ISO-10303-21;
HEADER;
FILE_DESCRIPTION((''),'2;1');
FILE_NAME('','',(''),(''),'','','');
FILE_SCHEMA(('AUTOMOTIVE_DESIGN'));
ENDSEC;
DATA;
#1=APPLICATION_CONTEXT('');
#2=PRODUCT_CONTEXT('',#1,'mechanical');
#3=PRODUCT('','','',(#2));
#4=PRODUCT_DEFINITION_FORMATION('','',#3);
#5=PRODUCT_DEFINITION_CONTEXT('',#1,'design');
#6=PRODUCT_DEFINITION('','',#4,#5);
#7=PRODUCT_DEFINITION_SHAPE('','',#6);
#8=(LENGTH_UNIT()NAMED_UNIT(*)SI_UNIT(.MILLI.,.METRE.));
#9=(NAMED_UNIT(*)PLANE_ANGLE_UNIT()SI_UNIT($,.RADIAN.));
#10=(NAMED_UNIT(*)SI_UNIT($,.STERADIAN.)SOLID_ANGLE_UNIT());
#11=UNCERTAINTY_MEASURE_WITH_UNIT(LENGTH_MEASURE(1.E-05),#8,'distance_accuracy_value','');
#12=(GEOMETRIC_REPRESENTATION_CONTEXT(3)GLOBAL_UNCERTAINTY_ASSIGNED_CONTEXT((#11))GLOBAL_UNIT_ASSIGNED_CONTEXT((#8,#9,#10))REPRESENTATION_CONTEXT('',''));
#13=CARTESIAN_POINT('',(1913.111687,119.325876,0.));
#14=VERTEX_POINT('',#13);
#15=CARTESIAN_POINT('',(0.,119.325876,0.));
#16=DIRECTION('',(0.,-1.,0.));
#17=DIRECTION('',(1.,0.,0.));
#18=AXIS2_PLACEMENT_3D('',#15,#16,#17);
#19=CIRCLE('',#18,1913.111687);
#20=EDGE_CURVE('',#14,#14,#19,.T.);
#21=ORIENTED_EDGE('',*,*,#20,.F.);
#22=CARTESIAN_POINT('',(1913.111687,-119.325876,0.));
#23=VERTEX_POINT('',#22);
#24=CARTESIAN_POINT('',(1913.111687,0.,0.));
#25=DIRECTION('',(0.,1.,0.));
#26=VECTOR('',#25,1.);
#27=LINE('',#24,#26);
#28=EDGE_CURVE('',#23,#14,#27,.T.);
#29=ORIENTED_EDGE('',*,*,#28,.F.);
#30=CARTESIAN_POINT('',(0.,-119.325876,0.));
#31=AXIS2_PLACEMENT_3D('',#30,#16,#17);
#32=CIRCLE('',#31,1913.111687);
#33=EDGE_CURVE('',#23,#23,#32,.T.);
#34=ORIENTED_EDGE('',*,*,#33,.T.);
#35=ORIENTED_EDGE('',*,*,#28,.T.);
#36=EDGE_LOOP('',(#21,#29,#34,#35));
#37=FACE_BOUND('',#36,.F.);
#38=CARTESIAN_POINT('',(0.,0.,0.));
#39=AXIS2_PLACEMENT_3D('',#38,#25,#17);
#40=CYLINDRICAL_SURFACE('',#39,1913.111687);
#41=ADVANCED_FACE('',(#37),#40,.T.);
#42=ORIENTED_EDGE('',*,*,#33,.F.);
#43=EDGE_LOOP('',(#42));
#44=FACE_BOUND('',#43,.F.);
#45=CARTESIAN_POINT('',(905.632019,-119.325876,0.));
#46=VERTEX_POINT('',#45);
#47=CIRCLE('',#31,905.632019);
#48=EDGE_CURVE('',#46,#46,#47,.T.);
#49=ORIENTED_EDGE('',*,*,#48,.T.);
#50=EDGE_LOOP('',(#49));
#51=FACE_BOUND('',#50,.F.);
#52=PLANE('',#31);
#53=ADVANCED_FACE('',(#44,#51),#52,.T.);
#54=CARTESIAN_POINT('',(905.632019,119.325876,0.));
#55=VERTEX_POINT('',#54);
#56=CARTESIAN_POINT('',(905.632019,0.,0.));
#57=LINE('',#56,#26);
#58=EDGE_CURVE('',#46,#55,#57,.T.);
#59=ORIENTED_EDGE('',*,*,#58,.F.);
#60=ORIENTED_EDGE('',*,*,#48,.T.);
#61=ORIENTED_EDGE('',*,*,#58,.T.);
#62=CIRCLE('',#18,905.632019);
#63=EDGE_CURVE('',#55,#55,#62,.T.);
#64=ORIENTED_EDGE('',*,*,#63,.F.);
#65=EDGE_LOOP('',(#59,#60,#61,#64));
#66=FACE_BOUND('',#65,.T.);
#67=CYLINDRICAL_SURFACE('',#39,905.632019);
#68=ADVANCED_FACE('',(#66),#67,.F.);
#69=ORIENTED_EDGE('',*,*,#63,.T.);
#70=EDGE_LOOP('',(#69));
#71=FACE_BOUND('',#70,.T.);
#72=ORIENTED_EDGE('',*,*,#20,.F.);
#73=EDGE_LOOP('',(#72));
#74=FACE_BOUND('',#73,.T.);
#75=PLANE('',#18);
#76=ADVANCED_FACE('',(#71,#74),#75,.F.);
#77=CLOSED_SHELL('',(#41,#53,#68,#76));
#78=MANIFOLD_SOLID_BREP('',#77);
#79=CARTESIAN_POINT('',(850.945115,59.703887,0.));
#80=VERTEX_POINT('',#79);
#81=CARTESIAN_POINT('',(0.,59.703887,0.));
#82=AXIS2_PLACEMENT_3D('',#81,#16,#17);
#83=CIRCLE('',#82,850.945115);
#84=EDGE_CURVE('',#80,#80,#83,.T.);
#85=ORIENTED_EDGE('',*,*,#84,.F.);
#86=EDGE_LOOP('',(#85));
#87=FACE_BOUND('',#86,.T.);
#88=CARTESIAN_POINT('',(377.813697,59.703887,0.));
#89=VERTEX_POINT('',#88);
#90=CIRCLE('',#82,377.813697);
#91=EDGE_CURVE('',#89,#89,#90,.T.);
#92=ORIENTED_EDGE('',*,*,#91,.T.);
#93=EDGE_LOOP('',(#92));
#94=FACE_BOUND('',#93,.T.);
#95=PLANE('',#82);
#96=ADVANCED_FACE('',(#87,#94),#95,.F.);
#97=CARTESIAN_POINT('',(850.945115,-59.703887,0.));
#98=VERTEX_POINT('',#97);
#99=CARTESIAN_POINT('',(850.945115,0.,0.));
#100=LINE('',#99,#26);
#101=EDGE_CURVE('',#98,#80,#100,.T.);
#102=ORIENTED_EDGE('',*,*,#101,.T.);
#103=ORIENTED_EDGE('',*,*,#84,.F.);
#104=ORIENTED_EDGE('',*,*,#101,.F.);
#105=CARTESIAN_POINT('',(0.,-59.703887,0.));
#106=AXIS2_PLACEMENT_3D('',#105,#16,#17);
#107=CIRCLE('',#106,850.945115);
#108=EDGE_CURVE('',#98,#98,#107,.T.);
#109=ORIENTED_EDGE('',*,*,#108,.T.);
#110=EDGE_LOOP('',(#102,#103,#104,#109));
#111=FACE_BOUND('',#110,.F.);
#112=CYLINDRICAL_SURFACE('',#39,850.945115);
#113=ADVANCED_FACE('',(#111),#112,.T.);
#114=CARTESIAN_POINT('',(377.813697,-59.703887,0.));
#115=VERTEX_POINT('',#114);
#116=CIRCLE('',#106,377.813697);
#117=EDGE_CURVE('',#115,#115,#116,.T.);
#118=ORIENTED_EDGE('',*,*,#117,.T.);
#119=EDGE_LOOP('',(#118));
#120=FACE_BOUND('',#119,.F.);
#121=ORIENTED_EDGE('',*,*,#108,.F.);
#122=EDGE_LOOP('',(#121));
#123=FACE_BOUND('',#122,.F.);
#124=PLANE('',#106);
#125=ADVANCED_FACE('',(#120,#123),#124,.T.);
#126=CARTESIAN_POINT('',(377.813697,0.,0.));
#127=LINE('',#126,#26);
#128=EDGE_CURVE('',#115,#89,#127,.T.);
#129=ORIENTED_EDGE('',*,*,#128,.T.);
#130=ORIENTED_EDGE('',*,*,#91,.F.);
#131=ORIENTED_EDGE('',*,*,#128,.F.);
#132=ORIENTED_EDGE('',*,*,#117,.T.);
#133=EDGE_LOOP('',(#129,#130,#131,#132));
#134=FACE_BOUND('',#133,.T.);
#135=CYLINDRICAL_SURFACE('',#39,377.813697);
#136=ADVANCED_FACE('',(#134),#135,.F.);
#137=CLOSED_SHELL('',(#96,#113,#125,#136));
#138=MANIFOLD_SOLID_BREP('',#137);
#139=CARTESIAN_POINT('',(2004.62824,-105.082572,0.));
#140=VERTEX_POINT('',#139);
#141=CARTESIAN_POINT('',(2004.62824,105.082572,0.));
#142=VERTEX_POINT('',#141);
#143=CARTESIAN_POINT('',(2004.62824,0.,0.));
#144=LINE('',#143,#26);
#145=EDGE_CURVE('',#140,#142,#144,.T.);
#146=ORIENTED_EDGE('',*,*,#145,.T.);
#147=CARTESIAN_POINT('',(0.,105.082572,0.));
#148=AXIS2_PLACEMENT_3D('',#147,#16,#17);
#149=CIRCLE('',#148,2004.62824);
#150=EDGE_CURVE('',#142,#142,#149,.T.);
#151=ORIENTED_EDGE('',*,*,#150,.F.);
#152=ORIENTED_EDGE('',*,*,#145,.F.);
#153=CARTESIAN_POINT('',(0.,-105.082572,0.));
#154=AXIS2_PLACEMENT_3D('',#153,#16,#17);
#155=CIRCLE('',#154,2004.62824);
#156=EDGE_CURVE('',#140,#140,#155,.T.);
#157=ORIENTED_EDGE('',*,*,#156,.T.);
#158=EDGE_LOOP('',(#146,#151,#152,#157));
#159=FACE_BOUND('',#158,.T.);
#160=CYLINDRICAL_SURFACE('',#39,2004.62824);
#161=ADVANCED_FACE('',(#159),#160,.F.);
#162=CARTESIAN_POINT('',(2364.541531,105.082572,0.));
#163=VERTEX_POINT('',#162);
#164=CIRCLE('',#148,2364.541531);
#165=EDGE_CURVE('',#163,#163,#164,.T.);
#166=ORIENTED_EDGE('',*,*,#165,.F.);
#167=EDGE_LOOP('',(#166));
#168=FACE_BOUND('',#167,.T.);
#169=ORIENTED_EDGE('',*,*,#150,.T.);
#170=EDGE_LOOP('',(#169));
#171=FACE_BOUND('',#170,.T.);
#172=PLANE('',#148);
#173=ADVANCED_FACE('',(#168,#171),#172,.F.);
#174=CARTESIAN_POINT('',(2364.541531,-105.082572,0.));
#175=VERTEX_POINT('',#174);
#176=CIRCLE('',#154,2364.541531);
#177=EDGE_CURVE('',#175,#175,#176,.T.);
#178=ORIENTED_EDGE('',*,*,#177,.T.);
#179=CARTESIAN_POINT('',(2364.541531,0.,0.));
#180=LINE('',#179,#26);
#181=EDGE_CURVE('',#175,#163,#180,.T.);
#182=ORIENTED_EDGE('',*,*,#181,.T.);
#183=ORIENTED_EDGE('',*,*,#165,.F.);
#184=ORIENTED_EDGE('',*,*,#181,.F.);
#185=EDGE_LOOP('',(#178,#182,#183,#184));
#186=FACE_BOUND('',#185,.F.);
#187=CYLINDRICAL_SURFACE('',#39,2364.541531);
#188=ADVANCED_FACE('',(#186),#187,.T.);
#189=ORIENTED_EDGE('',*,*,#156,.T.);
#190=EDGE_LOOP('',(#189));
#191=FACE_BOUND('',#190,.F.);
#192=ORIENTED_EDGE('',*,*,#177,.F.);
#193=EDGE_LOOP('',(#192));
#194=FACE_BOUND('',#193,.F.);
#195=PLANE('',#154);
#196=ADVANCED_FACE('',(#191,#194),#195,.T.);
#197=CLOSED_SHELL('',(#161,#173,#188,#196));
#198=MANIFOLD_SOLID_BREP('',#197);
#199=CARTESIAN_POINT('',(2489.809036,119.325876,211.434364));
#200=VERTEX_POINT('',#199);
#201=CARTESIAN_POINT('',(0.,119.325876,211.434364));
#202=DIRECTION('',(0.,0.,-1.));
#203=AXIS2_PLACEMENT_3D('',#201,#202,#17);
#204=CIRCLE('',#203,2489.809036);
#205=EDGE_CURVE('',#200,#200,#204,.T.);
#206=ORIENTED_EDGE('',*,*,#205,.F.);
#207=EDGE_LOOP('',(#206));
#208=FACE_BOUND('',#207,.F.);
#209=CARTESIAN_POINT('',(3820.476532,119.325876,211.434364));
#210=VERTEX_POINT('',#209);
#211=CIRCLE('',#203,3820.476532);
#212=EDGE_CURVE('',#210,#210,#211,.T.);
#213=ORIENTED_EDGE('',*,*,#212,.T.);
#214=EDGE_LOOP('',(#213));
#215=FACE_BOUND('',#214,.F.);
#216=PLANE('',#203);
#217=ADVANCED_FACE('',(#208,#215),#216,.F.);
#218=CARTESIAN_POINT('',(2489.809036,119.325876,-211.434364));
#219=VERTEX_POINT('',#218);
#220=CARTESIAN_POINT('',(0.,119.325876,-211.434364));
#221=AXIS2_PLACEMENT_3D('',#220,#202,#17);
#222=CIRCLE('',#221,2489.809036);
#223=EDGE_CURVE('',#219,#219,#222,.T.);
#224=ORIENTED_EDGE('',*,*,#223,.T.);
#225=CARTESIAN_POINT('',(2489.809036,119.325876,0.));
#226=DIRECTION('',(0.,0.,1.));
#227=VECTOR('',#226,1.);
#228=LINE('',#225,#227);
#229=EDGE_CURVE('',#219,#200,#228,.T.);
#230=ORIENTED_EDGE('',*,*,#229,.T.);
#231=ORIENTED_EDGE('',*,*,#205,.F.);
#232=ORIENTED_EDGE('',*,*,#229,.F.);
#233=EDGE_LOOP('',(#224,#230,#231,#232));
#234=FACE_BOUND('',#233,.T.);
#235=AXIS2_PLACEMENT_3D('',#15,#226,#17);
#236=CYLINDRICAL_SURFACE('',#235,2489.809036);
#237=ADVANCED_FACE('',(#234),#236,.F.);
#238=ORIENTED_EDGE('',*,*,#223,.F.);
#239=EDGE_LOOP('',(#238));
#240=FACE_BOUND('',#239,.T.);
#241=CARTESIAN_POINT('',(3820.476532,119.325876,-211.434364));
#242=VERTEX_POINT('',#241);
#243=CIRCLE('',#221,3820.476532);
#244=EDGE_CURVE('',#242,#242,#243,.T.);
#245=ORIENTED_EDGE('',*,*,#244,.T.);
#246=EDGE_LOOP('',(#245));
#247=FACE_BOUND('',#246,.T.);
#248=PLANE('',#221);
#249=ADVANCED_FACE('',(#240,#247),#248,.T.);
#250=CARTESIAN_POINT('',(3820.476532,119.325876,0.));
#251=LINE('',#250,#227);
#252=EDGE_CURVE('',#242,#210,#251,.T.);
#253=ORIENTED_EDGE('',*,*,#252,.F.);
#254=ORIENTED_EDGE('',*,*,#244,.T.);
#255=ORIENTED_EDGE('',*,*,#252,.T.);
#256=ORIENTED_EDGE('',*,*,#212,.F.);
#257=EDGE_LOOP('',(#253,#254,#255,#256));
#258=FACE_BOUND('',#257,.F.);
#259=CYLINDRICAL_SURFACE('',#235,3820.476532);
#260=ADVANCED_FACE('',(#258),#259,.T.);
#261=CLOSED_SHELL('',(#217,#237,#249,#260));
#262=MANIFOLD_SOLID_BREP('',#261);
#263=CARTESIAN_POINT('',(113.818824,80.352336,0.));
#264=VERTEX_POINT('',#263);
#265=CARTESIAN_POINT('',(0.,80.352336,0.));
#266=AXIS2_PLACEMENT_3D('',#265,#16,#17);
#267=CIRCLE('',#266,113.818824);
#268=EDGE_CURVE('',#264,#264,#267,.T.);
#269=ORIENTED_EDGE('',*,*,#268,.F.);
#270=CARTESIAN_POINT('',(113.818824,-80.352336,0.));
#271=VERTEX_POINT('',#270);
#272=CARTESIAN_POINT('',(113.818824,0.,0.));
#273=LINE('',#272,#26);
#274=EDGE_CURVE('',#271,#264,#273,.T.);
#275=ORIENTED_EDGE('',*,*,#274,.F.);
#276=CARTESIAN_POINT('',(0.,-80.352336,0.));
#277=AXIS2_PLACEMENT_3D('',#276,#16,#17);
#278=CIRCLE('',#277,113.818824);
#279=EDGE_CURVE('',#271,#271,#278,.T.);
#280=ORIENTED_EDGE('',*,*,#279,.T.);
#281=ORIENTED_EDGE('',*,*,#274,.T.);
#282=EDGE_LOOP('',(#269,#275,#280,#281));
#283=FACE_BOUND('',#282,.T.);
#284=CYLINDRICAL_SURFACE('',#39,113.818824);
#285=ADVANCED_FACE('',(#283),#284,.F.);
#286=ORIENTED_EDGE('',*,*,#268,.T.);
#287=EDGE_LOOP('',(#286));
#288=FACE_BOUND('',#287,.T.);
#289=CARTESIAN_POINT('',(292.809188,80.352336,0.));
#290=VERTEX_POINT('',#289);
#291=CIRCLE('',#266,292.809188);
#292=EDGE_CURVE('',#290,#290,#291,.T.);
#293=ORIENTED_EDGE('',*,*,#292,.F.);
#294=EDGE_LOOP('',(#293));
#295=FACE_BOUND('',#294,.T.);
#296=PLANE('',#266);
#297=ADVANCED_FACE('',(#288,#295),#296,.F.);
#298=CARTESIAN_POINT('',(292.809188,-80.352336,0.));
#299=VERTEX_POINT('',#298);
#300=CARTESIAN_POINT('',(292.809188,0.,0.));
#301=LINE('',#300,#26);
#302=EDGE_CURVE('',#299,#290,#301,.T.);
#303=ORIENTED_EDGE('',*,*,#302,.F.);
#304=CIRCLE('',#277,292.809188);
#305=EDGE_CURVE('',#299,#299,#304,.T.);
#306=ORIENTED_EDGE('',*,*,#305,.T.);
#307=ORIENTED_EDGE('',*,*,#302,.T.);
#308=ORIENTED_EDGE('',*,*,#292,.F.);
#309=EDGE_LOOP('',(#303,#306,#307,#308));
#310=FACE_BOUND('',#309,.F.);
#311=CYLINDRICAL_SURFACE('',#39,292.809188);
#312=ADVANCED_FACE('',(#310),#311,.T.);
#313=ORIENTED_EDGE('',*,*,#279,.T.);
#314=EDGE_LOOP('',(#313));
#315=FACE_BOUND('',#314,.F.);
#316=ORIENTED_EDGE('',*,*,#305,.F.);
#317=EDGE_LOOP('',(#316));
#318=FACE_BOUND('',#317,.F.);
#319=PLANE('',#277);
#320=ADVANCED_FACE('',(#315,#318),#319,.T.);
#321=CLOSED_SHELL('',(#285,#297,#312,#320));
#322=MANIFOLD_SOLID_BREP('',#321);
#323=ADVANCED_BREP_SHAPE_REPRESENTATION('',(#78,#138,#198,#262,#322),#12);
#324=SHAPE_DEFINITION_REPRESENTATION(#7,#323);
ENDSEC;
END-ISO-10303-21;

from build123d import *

# Parameters (mm, degrees)
F0_W = 178.990364
F0_H = 160.704672
F2_W = 473.131418
F2_H = 119.407774
F4_W = 1007.479668
F4_H = 238.651752
F6_W = 359.913291
F6_H = 210.165144
F8_W = 1330.667496
F8_H = 422.868728


with BuildPart() as f1:
    # F0 (on Top) → F1 (revolve)
    with BuildSketch(Plane.XY):
        with Locations((203.314006, 0)):
            Rectangle(F0_W, F0_H)
    revolve(axis=Axis((0, 14.369354, 0), (0, -1, 0)))


with BuildPart() as f3:
    # F2 (on Top) → F3 (revolve)
    with BuildSketch(Plane.XY):
        with Locations((614.379406, 0)):
            Rectangle(F2_W, F2_H)
    revolve(axis=Axis((0, 14.369354, 0), (0, -1, 0)))


with BuildPart() as f5:
    # F4 (on Top) → F5 (revolve)
    with BuildSketch(Plane.XY):
        with Locations((1409.371853, 0)):
            Rectangle(F4_W, F4_H)
    revolve(axis=Axis((0, 14.369354, 0), (0, -1, 0)))


with BuildPart() as f7:
    # F6 (on Top) → F7 (revolve)
    with BuildSketch(Plane.XY):
        with Locations((2184.584885, 0)):
            Rectangle(F6_W, F6_H)
    revolve(axis=Axis((0, 14.369354, 0), (0, -1, 0)))


with BuildPart() as f9:
    # F8 (on face) → F9 (revolve)
    with BuildSketch(Plane(origin=(0, 119.325876, 0), x_dir=(-1, 0, 0), z_dir=(0, 1, 0))):
        with Locations((-3155.142784, 0)):
            Rectangle(F8_W, F8_H)
    revolve(axis=Axis((0, 119.325876, -1.446307), (0, 0, -1)))


solid = Compound([f1.part, f3.part, f5.part, f7.part, f9.part])
